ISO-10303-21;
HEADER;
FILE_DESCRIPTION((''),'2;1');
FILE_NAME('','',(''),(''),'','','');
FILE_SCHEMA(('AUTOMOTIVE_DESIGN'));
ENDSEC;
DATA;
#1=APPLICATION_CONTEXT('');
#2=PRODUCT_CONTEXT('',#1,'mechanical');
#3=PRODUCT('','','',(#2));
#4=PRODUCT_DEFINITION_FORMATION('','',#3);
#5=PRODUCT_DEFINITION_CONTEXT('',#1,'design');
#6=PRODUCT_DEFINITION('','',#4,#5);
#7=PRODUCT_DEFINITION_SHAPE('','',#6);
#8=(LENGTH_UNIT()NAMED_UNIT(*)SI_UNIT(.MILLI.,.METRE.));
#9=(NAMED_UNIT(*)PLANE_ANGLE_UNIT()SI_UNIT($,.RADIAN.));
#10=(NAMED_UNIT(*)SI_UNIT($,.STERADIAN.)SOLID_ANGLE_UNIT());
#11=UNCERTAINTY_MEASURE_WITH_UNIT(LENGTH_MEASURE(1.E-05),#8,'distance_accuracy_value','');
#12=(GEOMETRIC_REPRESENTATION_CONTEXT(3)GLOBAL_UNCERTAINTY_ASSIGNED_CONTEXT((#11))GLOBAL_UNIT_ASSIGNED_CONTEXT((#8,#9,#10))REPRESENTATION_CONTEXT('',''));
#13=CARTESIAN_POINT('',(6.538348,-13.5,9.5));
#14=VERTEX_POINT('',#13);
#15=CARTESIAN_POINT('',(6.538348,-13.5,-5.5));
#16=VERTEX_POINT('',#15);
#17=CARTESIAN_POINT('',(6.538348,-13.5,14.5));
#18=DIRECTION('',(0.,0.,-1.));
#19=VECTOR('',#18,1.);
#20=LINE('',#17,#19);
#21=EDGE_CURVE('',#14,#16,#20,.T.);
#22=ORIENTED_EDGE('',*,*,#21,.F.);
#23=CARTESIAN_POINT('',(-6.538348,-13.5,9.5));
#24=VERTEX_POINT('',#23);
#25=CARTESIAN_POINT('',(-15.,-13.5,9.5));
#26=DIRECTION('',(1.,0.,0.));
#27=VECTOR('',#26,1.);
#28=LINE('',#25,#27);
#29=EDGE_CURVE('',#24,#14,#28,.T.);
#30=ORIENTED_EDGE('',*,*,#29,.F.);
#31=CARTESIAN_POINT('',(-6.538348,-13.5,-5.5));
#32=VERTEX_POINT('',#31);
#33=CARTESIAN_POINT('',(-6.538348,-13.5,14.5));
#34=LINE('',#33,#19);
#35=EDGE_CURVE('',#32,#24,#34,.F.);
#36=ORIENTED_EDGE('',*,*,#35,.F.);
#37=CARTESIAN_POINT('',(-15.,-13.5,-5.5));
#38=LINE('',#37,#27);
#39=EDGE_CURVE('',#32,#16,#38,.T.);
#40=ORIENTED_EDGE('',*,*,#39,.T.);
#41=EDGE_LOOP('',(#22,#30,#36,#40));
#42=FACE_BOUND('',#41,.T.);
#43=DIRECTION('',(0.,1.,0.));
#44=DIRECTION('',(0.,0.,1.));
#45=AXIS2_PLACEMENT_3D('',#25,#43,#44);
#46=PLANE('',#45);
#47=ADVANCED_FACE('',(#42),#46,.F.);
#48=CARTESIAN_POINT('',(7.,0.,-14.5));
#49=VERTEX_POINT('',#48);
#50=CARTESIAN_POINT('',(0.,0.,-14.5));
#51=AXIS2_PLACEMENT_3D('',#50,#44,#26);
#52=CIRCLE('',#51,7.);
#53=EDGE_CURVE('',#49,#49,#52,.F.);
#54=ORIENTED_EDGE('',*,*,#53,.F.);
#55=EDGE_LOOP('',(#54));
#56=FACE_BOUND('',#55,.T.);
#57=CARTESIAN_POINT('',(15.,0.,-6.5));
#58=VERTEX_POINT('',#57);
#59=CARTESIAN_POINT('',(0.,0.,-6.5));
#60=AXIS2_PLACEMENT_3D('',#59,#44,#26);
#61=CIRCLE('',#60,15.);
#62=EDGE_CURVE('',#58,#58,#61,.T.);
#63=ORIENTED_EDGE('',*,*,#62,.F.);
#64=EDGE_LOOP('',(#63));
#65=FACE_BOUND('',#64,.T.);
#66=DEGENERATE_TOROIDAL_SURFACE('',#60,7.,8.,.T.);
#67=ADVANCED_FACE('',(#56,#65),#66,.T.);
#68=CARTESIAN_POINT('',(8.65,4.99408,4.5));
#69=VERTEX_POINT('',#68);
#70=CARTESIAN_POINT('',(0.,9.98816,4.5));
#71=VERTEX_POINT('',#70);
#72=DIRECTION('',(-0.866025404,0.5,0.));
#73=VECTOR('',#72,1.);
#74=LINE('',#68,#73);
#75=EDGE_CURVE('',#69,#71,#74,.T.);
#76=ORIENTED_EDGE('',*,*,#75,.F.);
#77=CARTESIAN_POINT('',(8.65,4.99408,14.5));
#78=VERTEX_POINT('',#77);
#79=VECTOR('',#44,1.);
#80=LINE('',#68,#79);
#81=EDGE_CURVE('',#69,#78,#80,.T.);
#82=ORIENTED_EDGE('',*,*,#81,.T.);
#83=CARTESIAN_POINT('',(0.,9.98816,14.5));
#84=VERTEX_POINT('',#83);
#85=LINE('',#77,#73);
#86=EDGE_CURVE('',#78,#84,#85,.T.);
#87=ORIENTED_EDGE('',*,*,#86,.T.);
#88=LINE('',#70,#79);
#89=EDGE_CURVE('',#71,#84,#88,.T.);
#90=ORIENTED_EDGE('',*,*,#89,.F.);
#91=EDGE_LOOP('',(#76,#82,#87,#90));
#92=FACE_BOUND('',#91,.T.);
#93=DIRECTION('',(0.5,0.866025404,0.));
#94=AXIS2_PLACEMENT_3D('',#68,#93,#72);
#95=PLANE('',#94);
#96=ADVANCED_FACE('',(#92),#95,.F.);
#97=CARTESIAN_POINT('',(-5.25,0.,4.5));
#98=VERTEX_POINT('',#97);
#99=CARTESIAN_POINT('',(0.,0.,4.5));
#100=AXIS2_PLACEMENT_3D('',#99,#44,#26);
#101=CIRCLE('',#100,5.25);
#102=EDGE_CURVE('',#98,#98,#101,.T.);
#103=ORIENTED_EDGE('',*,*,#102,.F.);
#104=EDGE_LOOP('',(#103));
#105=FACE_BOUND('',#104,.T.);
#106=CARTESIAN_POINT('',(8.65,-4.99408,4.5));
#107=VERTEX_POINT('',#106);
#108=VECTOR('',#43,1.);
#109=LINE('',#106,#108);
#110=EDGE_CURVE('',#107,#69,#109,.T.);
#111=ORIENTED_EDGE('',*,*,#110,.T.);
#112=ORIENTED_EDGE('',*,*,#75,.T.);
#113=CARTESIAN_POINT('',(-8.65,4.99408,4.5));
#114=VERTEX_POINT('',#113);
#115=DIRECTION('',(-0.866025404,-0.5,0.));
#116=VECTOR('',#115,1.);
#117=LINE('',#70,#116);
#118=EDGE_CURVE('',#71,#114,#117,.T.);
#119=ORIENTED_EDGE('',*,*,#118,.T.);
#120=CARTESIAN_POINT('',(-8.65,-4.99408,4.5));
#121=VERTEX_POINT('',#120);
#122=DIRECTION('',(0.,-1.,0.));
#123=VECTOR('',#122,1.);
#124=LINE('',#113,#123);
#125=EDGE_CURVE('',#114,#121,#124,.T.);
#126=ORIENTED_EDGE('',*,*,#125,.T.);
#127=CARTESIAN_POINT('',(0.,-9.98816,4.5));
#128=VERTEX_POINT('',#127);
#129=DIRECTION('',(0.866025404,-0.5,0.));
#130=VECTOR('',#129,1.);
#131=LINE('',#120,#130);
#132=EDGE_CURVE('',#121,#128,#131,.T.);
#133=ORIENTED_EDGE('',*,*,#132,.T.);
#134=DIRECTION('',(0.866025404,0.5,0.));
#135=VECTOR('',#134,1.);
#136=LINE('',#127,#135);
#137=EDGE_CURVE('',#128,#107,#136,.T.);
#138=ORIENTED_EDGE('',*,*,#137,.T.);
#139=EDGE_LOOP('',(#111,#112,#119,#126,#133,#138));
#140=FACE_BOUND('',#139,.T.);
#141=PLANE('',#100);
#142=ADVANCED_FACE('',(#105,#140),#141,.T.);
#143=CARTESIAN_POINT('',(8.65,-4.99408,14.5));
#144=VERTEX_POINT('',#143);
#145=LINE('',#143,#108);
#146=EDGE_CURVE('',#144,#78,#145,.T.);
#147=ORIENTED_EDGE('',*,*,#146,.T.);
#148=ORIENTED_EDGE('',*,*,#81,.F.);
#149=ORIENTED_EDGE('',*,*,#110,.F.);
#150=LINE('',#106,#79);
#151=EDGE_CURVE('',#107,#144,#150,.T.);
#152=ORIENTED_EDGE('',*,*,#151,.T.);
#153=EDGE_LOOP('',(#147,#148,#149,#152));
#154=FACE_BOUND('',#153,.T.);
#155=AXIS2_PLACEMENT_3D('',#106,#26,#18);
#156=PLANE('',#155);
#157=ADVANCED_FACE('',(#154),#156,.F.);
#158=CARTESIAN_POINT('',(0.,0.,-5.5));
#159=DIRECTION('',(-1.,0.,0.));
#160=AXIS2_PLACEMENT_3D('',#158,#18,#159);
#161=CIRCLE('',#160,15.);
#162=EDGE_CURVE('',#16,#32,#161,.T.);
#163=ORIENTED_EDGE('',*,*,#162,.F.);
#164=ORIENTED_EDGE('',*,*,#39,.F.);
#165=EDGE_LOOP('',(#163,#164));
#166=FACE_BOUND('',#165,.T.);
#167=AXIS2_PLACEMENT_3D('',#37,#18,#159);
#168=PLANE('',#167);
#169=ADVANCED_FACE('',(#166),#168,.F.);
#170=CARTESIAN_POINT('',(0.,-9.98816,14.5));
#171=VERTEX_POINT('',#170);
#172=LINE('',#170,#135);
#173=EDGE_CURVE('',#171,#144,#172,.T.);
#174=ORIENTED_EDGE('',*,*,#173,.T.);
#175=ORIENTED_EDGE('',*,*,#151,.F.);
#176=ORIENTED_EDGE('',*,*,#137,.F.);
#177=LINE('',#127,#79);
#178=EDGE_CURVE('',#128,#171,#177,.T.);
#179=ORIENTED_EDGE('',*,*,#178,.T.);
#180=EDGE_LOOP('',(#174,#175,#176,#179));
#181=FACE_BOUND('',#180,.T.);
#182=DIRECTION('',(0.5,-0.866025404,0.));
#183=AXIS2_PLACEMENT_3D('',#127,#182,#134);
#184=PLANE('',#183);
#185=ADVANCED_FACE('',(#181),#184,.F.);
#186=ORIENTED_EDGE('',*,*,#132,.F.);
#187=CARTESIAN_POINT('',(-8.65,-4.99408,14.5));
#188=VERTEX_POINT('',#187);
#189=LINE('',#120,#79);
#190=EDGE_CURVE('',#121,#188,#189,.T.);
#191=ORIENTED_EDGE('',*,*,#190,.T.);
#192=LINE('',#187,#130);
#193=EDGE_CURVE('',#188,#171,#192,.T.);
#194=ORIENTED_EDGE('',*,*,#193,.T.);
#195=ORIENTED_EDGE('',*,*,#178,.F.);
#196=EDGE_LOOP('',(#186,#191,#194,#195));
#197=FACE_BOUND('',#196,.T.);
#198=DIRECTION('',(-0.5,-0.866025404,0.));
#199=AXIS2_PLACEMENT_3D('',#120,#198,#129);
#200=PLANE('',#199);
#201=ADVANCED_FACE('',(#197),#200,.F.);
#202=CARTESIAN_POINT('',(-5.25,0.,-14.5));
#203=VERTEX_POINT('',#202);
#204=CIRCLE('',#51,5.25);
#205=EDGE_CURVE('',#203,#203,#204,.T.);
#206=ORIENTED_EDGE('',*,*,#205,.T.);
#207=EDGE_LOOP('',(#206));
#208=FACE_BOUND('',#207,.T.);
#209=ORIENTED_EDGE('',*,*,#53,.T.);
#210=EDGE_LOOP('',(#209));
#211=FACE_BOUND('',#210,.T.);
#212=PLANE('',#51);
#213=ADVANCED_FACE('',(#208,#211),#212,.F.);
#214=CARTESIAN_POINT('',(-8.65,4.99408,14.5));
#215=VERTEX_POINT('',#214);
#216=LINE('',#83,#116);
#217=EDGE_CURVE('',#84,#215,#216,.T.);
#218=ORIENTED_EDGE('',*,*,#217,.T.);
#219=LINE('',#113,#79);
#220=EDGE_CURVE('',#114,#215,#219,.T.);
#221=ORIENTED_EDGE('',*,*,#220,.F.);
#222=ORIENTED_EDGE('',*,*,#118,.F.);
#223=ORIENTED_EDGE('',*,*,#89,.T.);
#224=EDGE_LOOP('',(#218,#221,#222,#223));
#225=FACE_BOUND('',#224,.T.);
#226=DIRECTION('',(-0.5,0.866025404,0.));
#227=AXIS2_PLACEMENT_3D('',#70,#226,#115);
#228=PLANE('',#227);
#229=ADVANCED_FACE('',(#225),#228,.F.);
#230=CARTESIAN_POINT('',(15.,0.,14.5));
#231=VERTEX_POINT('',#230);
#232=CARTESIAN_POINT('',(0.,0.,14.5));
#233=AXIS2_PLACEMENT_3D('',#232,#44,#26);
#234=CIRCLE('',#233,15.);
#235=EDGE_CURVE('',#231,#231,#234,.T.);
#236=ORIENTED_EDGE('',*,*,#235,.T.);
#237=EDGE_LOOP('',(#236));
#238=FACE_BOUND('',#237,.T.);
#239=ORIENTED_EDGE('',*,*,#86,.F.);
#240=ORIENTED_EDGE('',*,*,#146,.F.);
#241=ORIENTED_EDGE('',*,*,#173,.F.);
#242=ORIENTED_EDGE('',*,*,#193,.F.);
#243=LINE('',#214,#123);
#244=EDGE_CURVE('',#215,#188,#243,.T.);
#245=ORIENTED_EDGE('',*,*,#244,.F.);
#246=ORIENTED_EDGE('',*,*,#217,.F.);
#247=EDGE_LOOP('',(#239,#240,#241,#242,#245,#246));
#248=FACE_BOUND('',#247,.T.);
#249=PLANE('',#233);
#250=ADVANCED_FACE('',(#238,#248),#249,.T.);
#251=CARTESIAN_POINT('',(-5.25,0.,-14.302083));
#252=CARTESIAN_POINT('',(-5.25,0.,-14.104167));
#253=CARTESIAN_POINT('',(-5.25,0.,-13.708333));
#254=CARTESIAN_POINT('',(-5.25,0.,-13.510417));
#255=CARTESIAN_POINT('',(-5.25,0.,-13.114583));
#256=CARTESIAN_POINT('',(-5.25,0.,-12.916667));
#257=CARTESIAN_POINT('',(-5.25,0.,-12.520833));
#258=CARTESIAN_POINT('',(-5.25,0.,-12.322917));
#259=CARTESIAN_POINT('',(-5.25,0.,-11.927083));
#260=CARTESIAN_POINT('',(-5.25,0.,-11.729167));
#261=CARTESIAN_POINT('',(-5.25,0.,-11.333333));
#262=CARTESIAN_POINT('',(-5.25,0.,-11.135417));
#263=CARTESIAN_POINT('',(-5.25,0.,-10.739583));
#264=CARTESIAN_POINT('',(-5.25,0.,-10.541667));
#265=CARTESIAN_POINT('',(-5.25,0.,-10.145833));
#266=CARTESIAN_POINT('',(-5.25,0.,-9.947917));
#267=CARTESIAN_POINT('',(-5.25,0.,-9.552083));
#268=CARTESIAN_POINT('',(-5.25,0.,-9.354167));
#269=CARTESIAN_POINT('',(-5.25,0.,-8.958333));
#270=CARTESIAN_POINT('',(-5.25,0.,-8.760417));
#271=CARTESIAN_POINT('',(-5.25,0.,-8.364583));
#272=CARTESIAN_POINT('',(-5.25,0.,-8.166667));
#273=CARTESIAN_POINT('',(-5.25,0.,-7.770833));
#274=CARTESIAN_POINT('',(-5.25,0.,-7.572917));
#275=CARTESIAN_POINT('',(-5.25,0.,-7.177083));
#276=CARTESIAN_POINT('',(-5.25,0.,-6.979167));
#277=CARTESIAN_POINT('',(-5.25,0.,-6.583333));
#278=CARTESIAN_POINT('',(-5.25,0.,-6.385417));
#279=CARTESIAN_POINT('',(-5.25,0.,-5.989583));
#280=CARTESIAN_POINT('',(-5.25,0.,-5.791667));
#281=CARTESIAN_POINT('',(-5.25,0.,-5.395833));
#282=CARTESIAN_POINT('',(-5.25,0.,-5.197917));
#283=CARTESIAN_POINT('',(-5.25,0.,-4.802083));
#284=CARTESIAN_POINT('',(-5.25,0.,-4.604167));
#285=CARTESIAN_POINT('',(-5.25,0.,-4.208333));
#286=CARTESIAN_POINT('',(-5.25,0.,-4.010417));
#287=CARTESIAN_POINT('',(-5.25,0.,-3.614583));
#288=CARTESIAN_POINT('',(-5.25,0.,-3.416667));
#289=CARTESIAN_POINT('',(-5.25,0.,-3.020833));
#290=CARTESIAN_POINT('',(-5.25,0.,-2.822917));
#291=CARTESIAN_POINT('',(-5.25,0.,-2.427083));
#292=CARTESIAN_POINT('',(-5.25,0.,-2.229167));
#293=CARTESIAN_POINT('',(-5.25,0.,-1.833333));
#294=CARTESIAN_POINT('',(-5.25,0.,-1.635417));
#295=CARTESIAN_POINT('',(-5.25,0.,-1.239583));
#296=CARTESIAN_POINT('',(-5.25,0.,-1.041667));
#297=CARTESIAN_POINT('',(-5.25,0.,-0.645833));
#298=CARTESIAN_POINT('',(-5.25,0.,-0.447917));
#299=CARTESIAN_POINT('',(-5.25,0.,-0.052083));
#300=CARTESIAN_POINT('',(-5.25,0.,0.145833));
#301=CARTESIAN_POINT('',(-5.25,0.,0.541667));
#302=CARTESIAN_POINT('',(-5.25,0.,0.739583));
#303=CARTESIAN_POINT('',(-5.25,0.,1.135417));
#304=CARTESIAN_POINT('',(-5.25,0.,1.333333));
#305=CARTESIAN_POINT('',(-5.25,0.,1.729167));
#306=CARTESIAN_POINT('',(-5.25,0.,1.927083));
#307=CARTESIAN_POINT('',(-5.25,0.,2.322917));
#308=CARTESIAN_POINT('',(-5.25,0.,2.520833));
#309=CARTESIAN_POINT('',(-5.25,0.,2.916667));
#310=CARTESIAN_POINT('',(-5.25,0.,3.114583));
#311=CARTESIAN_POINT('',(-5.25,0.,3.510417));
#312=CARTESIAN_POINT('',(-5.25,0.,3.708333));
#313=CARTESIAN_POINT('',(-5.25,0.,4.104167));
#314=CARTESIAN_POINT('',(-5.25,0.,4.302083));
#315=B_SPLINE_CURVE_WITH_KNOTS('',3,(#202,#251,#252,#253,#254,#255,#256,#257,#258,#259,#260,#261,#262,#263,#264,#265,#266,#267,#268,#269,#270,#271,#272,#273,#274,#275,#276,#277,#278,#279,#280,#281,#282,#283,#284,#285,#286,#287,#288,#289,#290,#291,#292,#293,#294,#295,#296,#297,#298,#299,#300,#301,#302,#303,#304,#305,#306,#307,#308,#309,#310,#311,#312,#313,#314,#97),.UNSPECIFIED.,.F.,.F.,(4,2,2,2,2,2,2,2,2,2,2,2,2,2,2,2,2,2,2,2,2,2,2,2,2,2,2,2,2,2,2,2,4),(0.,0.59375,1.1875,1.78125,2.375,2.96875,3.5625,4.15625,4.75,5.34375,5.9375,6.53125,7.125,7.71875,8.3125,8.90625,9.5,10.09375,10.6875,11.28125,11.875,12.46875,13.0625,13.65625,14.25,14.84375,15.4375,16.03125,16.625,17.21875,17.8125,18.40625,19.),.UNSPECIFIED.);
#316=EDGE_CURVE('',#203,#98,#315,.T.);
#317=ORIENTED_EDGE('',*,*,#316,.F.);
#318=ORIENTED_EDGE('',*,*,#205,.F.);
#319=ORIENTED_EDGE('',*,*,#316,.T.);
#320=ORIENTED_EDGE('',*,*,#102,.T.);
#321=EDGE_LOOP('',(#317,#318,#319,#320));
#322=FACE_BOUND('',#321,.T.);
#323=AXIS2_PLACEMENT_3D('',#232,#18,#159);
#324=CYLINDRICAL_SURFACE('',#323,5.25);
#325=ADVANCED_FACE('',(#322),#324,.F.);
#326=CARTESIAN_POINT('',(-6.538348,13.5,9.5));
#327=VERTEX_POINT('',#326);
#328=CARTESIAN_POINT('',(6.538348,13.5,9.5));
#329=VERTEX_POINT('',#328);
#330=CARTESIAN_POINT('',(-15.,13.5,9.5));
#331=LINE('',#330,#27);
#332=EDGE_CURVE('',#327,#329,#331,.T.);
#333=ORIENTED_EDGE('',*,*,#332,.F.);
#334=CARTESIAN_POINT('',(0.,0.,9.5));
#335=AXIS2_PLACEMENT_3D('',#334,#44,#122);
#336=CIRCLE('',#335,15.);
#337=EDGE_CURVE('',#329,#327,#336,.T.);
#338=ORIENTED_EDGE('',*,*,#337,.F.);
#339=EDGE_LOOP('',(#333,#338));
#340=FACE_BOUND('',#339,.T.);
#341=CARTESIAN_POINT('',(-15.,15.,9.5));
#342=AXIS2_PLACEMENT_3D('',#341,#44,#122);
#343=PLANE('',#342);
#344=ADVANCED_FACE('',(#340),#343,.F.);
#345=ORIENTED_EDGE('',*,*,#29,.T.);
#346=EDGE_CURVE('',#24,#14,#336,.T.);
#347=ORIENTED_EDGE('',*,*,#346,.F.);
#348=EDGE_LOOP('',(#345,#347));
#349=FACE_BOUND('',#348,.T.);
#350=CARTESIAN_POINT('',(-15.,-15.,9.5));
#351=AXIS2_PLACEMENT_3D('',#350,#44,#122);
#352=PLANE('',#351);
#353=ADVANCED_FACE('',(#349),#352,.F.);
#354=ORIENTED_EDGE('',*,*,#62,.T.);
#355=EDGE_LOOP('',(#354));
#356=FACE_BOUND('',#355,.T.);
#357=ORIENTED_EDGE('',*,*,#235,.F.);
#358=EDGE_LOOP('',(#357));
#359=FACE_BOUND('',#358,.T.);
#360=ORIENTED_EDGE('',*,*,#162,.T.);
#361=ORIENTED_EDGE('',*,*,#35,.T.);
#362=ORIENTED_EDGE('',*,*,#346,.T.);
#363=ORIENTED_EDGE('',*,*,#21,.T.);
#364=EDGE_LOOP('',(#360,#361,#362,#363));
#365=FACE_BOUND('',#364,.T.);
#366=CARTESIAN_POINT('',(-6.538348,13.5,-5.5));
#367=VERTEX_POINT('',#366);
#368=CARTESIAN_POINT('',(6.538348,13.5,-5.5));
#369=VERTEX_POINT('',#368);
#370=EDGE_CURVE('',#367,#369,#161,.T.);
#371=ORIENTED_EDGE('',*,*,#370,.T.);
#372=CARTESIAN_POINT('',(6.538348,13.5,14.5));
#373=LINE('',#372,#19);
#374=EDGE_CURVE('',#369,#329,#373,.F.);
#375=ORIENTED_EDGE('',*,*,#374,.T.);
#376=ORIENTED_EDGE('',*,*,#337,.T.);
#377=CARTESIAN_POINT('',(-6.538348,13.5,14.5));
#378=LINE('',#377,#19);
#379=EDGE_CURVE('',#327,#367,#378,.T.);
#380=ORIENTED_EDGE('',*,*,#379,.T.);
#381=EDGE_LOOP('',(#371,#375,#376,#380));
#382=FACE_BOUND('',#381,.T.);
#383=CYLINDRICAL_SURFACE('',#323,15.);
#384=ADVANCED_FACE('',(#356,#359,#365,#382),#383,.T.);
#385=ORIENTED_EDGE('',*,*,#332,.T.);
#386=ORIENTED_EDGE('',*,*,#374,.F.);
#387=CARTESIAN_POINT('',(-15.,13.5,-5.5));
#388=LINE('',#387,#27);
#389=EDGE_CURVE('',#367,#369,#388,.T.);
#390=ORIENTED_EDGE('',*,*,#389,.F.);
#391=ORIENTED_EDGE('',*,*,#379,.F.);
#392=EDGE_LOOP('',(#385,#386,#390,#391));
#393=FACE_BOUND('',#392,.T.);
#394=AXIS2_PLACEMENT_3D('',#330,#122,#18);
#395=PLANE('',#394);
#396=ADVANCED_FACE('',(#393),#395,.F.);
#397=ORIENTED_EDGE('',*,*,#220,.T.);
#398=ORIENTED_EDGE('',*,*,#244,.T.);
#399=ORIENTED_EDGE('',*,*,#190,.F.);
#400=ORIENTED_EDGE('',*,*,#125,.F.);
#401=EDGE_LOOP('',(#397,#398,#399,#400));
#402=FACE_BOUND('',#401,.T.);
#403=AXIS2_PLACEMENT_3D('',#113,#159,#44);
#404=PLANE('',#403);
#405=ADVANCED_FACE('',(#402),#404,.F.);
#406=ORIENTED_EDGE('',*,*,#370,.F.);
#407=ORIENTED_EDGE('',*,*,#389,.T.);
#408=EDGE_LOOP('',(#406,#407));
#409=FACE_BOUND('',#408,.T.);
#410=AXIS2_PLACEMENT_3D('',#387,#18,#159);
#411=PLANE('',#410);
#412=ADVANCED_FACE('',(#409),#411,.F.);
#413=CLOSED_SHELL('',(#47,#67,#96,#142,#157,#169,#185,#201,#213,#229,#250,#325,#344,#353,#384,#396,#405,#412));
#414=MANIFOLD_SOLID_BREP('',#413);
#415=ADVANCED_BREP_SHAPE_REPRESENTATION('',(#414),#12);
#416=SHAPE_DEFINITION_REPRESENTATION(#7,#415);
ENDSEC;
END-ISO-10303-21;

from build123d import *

# Parameters (mm, degrees)
SKETCH_1_R               = 15
SKETCH_1_R_2             = 5.25
EXTRUDE_1_DEPTH          = 14.5
CUT_EXTRUDE_1_DEPTH      = 10
FILLET_2_R               = 8
CUT_EXTRUDE_2_DEPTH      = 26.695330315
CUT_EXTRUDE_2_DEPTH_BACK = 26.695330315
SKETCH_3_W               = 15
SKETCH_3_H               = 1.5


with BuildPart() as part:
    # 草图1 → 凸台-拉伸1 (new, symmetric)
    with BuildSketch(Plane.XY):
        with Locations(Location((0, 0, 0), (0, 0, 180))):
            Circle(SKETCH_1_R)
        with Locations(Location((0, 0, 0), (0, 0, 180))):
            Circle(SKETCH_1_R_2, mode=Mode.SUBTRACT)
    extrude(amount=EXTRUDE_1_DEPTH, both=True)

    # 草图2 → 切除-拉伸1 (cut)
    with BuildSketch(Plane.XY.offset(14.5)):
        Polygon((0, 9.988159657), (-8.65, 4.994079828), (-8.65, -4.994079828), (0, -9.988159657), (8.65, -4.994079828), (8.65, 4.994079828), align=None)
    extrude(amount=-CUT_EXTRUDE_1_DEPTH, mode=Mode.SUBTRACT)

    # 圆角2
    fillet_2_edges = [part.edges().sort_by_distance(p)[0] for p in [
        (15, 0, -14.5),
    ]]
    fillet(fillet_2_edges, radius=FILLET_2_R)

    # 草图3 → 切除-拉伸2 (cut, two sides: drawn at the far end of the back side and taken through both)
    with BuildSketch(Plane(origin=(0, 0, 0), x_dir=(0, 0, -1), z_dir=(1, 0, 0)).offset(-CUT_EXTRUDE_2_DEPTH_BACK)):
        with Locations((-2, 14.25)):
            Rectangle(SKETCH_3_W, SKETCH_3_H)
        with Locations((-2, -14.25)):
            Rectangle(SKETCH_3_W, SKETCH_3_H)
    extrude(amount=CUT_EXTRUDE_2_DEPTH + CUT_EXTRUDE_2_DEPTH_BACK, mode=Mode.SUBTRACT)


solid = part.part
